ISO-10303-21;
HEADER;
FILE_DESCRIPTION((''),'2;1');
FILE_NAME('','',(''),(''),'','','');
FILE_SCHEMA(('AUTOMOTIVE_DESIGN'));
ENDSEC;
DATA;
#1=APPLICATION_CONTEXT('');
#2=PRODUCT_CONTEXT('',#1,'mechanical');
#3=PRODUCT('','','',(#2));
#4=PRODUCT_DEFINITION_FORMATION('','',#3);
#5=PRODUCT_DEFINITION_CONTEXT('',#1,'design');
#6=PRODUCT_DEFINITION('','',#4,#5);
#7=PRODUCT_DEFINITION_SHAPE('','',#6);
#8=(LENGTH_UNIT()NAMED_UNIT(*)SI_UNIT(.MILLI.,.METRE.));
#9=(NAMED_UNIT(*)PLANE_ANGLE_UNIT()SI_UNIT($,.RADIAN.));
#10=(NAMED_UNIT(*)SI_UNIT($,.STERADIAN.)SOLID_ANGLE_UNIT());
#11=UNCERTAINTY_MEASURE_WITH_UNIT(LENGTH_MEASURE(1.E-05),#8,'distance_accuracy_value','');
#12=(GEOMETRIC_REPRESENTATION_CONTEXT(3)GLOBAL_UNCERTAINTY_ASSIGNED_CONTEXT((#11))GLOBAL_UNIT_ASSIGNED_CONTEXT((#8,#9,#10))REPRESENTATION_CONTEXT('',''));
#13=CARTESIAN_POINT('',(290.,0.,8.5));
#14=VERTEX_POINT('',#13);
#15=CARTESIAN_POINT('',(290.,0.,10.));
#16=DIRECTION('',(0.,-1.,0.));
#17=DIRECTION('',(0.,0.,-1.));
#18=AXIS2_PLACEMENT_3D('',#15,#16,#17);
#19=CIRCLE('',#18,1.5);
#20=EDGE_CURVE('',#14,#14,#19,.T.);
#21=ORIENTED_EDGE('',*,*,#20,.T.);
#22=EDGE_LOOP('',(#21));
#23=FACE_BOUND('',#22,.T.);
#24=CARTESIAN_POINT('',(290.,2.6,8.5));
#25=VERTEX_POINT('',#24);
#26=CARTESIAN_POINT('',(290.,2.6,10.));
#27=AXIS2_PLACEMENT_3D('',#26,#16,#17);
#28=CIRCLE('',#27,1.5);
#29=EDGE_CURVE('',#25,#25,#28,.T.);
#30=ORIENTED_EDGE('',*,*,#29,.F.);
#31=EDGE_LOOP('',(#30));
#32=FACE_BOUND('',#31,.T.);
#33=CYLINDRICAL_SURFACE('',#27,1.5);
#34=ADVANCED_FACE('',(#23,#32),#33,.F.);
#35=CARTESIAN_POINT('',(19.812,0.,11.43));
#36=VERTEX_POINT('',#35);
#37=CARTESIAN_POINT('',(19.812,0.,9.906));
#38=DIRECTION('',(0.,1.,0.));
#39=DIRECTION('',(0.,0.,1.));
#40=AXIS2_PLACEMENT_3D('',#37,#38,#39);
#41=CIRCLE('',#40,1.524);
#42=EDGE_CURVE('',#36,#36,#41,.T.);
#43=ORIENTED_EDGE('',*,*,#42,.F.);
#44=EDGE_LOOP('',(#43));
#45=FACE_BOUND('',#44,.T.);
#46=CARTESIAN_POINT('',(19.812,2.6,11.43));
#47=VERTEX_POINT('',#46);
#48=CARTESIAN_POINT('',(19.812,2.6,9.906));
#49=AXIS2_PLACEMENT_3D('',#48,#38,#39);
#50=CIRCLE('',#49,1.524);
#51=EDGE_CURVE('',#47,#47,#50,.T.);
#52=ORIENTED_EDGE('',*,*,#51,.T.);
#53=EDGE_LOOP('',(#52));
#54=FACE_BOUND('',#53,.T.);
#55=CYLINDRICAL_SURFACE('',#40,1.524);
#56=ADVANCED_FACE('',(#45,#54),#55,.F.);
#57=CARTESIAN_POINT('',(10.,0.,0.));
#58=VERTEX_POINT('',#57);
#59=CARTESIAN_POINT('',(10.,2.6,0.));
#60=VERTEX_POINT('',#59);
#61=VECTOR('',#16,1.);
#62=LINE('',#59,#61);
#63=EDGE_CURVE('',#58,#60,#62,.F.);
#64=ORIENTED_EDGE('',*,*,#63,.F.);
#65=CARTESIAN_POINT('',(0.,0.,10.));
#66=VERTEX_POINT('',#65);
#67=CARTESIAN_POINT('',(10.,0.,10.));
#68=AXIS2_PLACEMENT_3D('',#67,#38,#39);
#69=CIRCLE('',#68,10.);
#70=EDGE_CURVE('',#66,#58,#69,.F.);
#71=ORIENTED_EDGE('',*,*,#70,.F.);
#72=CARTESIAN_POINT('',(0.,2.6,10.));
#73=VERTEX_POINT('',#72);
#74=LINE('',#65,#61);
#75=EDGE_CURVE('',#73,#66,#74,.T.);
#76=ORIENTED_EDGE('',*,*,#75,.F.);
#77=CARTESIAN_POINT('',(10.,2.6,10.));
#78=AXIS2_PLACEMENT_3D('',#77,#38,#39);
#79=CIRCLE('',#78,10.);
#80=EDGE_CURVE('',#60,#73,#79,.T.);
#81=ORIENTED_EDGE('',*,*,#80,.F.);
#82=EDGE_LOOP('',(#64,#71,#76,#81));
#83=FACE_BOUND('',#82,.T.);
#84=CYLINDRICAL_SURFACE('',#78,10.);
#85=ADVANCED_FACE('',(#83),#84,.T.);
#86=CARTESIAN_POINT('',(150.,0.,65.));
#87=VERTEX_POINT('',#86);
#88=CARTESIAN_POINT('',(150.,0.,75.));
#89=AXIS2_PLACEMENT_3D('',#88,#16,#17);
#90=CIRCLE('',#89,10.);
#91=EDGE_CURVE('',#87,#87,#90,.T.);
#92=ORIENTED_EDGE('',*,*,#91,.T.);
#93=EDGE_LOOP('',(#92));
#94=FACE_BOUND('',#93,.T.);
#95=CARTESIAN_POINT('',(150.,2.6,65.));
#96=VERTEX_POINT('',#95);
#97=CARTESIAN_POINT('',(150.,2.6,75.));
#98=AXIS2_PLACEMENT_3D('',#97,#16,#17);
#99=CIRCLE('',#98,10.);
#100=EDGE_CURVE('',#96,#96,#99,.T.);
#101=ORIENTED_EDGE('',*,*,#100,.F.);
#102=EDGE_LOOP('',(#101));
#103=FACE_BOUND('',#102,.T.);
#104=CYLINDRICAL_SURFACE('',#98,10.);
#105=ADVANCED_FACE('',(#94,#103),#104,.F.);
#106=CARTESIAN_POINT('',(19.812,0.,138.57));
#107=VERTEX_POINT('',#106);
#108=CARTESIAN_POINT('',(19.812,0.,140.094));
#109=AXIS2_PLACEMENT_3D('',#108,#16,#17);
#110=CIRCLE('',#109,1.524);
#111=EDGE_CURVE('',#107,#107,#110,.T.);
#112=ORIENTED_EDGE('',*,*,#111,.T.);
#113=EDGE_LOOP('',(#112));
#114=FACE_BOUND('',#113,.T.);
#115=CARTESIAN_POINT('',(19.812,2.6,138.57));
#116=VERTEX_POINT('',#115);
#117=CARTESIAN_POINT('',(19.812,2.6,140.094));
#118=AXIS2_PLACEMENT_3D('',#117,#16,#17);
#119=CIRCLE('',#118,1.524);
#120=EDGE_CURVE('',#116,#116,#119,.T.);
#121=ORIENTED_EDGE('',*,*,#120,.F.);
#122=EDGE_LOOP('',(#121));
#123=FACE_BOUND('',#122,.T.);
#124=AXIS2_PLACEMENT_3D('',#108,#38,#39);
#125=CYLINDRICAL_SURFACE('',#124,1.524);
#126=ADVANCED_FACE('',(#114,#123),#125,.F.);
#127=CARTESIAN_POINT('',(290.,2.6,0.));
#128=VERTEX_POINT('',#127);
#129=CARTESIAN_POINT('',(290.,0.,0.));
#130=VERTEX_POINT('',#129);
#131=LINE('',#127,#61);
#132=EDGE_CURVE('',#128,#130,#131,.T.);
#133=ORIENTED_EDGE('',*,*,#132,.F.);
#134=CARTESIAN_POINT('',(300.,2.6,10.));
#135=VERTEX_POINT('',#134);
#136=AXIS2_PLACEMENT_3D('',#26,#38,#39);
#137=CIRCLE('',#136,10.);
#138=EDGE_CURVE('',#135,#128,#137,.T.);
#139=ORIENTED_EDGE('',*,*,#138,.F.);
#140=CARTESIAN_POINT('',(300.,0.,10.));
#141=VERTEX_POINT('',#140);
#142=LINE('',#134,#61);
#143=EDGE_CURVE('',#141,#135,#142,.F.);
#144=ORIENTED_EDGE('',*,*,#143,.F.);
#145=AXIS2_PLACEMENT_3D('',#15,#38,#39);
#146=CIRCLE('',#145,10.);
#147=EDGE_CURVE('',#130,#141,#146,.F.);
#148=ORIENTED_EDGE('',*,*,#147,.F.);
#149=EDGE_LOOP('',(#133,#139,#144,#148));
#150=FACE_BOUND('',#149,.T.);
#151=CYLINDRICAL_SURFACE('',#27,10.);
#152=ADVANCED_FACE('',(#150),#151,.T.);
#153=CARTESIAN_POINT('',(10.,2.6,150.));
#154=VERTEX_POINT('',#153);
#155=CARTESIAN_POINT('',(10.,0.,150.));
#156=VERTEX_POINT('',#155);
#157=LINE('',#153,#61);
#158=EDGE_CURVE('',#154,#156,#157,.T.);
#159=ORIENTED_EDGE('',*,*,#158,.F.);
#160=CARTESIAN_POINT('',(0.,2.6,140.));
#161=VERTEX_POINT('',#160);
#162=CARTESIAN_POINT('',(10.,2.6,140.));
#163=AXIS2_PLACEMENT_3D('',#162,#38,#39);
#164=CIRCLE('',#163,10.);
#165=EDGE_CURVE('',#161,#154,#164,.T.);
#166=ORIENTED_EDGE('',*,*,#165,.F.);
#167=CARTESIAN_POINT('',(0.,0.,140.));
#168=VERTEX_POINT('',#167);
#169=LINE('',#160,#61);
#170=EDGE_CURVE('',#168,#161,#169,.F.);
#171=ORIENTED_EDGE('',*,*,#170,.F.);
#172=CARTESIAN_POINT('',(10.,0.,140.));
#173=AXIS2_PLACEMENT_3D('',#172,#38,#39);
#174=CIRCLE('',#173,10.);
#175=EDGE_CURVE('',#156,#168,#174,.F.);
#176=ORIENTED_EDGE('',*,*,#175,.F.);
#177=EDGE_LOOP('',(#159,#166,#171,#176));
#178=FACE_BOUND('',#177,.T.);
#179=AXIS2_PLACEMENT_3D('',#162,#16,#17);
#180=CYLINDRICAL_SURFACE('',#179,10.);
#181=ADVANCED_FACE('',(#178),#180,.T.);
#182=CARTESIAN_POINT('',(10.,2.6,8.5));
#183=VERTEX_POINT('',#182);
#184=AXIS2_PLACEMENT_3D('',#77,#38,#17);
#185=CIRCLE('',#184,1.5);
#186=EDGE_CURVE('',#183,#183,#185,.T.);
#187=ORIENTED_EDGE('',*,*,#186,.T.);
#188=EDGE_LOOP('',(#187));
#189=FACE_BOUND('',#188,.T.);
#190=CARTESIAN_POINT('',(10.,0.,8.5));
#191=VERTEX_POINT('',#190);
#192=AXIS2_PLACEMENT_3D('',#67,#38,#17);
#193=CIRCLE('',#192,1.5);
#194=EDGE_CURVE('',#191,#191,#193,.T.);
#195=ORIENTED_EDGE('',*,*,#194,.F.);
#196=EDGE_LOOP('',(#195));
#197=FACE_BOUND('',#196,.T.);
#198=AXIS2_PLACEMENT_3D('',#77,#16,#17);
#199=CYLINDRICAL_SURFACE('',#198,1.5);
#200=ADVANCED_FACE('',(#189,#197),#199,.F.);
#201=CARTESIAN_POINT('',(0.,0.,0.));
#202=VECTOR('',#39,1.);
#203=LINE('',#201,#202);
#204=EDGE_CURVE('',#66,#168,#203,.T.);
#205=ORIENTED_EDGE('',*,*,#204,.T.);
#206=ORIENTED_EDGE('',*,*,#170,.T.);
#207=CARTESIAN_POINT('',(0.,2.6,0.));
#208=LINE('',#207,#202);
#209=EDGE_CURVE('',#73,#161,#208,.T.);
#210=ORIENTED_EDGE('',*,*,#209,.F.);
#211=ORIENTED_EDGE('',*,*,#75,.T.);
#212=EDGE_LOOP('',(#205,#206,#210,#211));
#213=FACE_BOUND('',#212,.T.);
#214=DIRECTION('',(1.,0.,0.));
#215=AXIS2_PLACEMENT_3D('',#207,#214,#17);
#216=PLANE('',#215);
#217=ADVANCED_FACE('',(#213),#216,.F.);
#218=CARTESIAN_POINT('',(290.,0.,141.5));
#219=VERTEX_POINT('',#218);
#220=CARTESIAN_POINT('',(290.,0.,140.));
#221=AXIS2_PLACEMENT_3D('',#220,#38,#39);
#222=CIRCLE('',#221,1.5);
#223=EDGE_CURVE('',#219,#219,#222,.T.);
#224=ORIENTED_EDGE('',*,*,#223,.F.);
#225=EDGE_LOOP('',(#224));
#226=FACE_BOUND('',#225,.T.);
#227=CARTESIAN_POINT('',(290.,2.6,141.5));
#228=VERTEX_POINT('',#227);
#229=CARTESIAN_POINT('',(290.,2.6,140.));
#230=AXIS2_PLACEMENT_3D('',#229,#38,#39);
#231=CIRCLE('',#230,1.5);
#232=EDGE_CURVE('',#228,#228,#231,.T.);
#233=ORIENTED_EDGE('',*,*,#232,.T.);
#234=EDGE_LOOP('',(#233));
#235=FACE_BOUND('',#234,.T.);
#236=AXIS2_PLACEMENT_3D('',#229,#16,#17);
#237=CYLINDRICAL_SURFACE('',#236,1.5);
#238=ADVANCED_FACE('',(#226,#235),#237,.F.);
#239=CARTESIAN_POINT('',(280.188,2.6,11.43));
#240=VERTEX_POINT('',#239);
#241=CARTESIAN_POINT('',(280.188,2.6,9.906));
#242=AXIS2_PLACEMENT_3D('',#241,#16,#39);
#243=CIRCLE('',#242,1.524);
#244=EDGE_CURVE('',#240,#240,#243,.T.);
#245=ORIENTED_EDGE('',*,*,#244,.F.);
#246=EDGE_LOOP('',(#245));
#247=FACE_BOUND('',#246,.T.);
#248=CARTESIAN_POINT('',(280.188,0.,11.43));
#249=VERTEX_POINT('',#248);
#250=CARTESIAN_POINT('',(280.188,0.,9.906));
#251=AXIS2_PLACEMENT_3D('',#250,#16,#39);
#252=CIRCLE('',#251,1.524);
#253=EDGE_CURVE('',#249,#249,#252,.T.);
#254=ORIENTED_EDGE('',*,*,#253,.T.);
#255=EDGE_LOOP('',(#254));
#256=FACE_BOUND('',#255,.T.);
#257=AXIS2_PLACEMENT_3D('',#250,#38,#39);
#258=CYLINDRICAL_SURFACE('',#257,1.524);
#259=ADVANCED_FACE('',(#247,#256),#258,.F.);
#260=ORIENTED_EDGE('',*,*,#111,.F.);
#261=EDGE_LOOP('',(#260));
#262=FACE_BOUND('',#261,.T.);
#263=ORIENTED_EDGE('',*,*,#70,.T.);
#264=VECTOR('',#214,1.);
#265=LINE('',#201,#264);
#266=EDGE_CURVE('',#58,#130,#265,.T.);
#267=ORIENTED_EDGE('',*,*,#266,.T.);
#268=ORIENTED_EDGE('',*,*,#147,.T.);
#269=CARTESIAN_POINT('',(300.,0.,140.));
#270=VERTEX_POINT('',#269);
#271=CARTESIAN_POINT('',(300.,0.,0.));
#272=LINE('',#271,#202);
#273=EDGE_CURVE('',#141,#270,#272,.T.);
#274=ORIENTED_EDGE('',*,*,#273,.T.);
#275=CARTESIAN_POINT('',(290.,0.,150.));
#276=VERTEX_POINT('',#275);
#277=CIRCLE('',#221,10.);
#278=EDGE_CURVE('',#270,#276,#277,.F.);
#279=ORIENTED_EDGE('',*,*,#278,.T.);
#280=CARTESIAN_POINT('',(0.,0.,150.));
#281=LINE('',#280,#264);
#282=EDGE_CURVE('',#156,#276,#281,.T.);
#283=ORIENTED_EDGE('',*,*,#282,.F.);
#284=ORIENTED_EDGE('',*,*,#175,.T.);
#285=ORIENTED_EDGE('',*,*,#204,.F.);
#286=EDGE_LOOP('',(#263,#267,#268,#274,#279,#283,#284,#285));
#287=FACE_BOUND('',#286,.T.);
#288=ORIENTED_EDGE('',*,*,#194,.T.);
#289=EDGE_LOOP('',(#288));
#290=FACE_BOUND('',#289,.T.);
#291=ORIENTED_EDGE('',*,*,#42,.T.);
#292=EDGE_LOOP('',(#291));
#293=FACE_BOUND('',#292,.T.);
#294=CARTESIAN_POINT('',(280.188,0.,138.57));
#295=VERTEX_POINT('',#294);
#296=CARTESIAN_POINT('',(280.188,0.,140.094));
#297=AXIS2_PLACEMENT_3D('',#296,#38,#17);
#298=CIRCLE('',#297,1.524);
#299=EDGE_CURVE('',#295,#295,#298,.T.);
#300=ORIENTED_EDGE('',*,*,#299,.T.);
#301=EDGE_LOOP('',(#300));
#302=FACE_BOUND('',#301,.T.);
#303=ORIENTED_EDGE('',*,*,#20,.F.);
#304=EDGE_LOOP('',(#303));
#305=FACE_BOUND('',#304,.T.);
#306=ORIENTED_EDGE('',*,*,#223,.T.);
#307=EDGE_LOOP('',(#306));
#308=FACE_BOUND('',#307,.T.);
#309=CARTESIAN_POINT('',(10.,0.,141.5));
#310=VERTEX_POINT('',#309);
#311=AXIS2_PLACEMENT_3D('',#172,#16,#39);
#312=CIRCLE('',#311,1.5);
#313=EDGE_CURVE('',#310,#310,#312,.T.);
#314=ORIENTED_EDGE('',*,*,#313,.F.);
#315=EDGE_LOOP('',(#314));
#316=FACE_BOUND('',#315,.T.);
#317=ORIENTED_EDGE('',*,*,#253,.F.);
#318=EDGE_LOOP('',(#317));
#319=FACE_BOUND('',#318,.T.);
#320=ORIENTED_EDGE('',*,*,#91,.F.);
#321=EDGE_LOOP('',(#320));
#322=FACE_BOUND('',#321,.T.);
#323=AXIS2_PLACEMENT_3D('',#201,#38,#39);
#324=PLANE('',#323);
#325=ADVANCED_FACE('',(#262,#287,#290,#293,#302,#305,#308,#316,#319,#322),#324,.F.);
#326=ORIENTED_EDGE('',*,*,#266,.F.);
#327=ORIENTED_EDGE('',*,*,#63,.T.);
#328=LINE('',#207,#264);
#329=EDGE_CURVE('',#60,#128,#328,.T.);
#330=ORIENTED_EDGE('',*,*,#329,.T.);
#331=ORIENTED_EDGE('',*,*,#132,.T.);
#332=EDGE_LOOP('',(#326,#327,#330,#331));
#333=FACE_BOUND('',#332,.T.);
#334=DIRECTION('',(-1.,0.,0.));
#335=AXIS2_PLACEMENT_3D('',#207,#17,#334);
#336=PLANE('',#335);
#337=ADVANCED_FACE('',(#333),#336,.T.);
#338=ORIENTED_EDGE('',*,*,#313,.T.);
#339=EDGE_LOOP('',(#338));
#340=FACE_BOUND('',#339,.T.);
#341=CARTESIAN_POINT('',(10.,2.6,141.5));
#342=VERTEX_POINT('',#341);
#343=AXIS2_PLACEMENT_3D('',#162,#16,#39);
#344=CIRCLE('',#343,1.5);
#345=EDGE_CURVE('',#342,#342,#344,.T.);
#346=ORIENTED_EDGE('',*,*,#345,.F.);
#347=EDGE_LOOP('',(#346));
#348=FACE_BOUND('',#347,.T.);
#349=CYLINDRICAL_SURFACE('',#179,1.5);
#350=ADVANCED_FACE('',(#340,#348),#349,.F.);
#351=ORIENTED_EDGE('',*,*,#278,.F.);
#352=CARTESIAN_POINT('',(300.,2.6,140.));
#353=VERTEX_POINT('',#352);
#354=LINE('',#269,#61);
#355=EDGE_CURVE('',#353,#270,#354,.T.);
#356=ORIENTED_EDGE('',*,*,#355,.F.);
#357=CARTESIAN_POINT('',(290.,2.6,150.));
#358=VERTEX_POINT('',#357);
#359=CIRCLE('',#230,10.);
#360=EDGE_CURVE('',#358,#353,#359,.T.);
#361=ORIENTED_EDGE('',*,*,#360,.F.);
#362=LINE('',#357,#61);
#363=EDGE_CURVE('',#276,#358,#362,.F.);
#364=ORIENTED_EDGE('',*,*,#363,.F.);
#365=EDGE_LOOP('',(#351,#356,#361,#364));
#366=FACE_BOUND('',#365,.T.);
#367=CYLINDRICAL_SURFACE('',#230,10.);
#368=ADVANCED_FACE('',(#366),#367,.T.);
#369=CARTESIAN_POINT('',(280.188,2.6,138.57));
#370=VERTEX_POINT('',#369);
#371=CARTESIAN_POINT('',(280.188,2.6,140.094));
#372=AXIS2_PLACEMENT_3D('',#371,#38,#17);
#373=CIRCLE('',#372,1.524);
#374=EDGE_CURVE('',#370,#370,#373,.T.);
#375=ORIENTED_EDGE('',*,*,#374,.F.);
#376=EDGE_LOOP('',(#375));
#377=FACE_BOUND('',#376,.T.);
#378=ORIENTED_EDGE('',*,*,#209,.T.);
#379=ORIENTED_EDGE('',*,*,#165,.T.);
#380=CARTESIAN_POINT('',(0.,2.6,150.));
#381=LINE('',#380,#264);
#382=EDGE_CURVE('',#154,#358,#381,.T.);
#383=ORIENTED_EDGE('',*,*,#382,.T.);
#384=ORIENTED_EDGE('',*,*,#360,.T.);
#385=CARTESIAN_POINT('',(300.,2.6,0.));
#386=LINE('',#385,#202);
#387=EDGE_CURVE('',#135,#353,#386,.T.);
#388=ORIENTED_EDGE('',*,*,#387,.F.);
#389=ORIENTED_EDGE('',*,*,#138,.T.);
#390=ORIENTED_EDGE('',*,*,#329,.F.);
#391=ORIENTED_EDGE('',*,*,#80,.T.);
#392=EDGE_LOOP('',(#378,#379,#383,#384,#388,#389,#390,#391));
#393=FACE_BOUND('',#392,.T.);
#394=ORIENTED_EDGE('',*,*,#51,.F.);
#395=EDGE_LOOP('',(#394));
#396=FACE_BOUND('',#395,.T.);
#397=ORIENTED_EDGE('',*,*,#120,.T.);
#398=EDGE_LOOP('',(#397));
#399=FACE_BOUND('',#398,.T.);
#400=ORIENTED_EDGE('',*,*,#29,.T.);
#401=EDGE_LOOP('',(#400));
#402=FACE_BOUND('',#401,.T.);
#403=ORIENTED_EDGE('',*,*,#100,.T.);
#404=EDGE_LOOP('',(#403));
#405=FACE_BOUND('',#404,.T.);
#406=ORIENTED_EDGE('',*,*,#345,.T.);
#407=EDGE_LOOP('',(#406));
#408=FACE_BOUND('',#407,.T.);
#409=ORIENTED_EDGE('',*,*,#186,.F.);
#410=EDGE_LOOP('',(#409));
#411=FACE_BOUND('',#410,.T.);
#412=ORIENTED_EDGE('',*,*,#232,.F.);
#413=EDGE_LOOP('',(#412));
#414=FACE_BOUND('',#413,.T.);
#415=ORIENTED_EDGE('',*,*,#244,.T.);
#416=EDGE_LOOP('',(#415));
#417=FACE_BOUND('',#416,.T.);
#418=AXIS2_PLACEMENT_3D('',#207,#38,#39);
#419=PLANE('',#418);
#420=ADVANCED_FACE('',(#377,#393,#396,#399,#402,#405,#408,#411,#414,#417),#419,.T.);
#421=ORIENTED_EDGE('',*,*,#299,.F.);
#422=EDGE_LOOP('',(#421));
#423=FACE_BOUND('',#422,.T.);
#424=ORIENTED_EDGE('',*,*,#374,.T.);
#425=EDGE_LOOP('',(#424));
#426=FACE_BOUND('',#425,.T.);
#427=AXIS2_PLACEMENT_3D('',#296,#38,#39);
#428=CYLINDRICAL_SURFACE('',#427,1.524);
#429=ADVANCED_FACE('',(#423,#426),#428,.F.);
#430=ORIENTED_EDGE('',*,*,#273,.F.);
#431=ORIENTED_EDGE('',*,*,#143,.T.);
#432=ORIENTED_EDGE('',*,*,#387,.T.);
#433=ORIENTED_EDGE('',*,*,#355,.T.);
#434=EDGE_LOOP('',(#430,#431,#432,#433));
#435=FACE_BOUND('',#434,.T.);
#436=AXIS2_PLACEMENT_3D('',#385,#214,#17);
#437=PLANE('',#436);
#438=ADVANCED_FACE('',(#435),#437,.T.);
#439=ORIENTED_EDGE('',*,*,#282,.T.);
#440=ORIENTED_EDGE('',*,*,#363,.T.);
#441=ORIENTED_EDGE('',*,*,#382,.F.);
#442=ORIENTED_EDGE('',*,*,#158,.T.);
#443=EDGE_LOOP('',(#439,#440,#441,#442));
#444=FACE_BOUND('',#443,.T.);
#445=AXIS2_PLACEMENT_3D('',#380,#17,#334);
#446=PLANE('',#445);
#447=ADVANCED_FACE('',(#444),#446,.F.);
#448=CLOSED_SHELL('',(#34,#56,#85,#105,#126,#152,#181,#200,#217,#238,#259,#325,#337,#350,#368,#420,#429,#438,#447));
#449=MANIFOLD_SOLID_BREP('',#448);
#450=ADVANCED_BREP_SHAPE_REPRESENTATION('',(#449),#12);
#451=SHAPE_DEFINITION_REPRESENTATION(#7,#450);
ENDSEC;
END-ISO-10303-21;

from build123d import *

# Parameters (mm, degrees)
SKETCH1_W               = 300
SKETCH1_H               = 150
BOSS_EXTRUDE1_DEPTH     = 2.6
FILLET1_R               = 10
SKETCH6_R               = 1.5
CUT_EXTRUDE6_DEPTH      = 2.6
MIRROR6_COPY_1_SKETCH_R = 1.5
MIRROR6_COPY_1_DEPTH    = 2.6
SKETCH15_R              = 10
CUT_EXTRUDE14_DEPTH     = 336.420273687
SKETCH23_R              = 1.524
CUT_EXTRUDE16_DEPTH     = 2.59999988
MIRROR8_COPY_1_SKETCH_R = 1.524
MIRROR8_COPY_1_DEPTH    = 2.59999988


with BuildPart() as part:
    # Sketch1 → Boss-Extrude1 (new body)
    with BuildSketch(Plane(origin=(0, 0, 0), x_dir=(1, 0, 0), z_dir=(0, 1, 0))):
        with Locations((150, -75)):
            Rectangle(SKETCH1_W, SKETCH1_H)
    extrude(amount=BOSS_EXTRUDE1_DEPTH)

    # Fillet1
    fillet1_edges = [part.edges().sort_by_distance(p)[0] for p in [
        (0, 1.3, 0),
        (300, 1.3, 0),
        (300, 1.3, 150),
        (0, 1.3, 150),
    ]]
    fillet(fillet1_edges, radius=FILLET1_R)

    # Sketch6 → Cut-Extrude6 (cut)
    with BuildSketch(Plane.XZ):
        with Locations(Location((290, 10, 0), (0, 0, 270))):
            Circle(SKETCH6_R)
    cut_extrude6 = extrude(amount=-CUT_EXTRUDE6_DEPTH, mode=Mode.SUBTRACT)

    # Mirror5: Cut-Extrude6 across plane
    add(cut_extrude6.mirror(Plane(origin=(150, 0, 0), x_dir=(0, 0, 1), z_dir=(1, 0, 0))), mode=Mode.SUBTRACT)

    # Mirror6: Cut-Extrude6 across plane
    add(cut_extrude6.mirror(Plane.XY.offset(75)), mode=Mode.SUBTRACT)

    # Mirror6 copy 1 sketch → Mirror6 copy 1 (cut)
    with BuildSketch(Plane(origin=(300, 0, 150), x_dir=(-1, 0, 0), z_dir=(0, -1, 0))):
        with Locations(Location((290, 10, 0), (0, 0, 270))):
            Circle(MIRROR6_COPY_1_SKETCH_R)
    extrude(amount=-MIRROR6_COPY_1_DEPTH, mode=Mode.SUBTRACT)

    # Sketch15 → Cut-Extrude14 (cut, through all)
    with BuildSketch(Plane.XZ):
        with Locations(Location((150, 75, 0), (0, 0, 270))):
            Circle(SKETCH15_R)
    extrude(amount=-CUT_EXTRUDE14_DEPTH, mode=Mode.SUBTRACT)

    # Sketch23 → Cut-Extrude16 (cut)
    with BuildSketch(Plane(origin=(0, 2.6, 0), x_dir=(1, 0, 0), z_dir=(0, 1, 0))):
        with Locations(Location((19.812, -9.906, 0), (0, 0, 270))):
            Circle(SKETCH23_R)
    cut_extrude16 = extrude(amount=-CUT_EXTRUDE16_DEPTH, mode=Mode.SUBTRACT)

    # Mirror7: Cut-Extrude16 across plane
    add(cut_extrude16.mirror(Plane(origin=(150, 0, 0), x_dir=(0, 0, 1), z_dir=(1, 0, 0))), mode=Mode.SUBTRACT)

    # Mirror8: Cut-Extrude16 across plane
    add(cut_extrude16.mirror(Plane.XY.offset(75)), mode=Mode.SUBTRACT)

    # Mirror8 copy 1 sketch → Mirror8 copy 1 (cut)
    with BuildSketch(Plane(origin=(300, 2.6, 150), x_dir=(-1, 0, 0), z_dir=(0, 1, 0))):
        with Locations(Location((19.812, -9.906, 0), (0, 0, 270))):
            Circle(MIRROR8_COPY_1_SKETCH_R)
    extrude(amount=-MIRROR8_COPY_1_DEPTH, mode=Mode.SUBTRACT)


solid = part.part
